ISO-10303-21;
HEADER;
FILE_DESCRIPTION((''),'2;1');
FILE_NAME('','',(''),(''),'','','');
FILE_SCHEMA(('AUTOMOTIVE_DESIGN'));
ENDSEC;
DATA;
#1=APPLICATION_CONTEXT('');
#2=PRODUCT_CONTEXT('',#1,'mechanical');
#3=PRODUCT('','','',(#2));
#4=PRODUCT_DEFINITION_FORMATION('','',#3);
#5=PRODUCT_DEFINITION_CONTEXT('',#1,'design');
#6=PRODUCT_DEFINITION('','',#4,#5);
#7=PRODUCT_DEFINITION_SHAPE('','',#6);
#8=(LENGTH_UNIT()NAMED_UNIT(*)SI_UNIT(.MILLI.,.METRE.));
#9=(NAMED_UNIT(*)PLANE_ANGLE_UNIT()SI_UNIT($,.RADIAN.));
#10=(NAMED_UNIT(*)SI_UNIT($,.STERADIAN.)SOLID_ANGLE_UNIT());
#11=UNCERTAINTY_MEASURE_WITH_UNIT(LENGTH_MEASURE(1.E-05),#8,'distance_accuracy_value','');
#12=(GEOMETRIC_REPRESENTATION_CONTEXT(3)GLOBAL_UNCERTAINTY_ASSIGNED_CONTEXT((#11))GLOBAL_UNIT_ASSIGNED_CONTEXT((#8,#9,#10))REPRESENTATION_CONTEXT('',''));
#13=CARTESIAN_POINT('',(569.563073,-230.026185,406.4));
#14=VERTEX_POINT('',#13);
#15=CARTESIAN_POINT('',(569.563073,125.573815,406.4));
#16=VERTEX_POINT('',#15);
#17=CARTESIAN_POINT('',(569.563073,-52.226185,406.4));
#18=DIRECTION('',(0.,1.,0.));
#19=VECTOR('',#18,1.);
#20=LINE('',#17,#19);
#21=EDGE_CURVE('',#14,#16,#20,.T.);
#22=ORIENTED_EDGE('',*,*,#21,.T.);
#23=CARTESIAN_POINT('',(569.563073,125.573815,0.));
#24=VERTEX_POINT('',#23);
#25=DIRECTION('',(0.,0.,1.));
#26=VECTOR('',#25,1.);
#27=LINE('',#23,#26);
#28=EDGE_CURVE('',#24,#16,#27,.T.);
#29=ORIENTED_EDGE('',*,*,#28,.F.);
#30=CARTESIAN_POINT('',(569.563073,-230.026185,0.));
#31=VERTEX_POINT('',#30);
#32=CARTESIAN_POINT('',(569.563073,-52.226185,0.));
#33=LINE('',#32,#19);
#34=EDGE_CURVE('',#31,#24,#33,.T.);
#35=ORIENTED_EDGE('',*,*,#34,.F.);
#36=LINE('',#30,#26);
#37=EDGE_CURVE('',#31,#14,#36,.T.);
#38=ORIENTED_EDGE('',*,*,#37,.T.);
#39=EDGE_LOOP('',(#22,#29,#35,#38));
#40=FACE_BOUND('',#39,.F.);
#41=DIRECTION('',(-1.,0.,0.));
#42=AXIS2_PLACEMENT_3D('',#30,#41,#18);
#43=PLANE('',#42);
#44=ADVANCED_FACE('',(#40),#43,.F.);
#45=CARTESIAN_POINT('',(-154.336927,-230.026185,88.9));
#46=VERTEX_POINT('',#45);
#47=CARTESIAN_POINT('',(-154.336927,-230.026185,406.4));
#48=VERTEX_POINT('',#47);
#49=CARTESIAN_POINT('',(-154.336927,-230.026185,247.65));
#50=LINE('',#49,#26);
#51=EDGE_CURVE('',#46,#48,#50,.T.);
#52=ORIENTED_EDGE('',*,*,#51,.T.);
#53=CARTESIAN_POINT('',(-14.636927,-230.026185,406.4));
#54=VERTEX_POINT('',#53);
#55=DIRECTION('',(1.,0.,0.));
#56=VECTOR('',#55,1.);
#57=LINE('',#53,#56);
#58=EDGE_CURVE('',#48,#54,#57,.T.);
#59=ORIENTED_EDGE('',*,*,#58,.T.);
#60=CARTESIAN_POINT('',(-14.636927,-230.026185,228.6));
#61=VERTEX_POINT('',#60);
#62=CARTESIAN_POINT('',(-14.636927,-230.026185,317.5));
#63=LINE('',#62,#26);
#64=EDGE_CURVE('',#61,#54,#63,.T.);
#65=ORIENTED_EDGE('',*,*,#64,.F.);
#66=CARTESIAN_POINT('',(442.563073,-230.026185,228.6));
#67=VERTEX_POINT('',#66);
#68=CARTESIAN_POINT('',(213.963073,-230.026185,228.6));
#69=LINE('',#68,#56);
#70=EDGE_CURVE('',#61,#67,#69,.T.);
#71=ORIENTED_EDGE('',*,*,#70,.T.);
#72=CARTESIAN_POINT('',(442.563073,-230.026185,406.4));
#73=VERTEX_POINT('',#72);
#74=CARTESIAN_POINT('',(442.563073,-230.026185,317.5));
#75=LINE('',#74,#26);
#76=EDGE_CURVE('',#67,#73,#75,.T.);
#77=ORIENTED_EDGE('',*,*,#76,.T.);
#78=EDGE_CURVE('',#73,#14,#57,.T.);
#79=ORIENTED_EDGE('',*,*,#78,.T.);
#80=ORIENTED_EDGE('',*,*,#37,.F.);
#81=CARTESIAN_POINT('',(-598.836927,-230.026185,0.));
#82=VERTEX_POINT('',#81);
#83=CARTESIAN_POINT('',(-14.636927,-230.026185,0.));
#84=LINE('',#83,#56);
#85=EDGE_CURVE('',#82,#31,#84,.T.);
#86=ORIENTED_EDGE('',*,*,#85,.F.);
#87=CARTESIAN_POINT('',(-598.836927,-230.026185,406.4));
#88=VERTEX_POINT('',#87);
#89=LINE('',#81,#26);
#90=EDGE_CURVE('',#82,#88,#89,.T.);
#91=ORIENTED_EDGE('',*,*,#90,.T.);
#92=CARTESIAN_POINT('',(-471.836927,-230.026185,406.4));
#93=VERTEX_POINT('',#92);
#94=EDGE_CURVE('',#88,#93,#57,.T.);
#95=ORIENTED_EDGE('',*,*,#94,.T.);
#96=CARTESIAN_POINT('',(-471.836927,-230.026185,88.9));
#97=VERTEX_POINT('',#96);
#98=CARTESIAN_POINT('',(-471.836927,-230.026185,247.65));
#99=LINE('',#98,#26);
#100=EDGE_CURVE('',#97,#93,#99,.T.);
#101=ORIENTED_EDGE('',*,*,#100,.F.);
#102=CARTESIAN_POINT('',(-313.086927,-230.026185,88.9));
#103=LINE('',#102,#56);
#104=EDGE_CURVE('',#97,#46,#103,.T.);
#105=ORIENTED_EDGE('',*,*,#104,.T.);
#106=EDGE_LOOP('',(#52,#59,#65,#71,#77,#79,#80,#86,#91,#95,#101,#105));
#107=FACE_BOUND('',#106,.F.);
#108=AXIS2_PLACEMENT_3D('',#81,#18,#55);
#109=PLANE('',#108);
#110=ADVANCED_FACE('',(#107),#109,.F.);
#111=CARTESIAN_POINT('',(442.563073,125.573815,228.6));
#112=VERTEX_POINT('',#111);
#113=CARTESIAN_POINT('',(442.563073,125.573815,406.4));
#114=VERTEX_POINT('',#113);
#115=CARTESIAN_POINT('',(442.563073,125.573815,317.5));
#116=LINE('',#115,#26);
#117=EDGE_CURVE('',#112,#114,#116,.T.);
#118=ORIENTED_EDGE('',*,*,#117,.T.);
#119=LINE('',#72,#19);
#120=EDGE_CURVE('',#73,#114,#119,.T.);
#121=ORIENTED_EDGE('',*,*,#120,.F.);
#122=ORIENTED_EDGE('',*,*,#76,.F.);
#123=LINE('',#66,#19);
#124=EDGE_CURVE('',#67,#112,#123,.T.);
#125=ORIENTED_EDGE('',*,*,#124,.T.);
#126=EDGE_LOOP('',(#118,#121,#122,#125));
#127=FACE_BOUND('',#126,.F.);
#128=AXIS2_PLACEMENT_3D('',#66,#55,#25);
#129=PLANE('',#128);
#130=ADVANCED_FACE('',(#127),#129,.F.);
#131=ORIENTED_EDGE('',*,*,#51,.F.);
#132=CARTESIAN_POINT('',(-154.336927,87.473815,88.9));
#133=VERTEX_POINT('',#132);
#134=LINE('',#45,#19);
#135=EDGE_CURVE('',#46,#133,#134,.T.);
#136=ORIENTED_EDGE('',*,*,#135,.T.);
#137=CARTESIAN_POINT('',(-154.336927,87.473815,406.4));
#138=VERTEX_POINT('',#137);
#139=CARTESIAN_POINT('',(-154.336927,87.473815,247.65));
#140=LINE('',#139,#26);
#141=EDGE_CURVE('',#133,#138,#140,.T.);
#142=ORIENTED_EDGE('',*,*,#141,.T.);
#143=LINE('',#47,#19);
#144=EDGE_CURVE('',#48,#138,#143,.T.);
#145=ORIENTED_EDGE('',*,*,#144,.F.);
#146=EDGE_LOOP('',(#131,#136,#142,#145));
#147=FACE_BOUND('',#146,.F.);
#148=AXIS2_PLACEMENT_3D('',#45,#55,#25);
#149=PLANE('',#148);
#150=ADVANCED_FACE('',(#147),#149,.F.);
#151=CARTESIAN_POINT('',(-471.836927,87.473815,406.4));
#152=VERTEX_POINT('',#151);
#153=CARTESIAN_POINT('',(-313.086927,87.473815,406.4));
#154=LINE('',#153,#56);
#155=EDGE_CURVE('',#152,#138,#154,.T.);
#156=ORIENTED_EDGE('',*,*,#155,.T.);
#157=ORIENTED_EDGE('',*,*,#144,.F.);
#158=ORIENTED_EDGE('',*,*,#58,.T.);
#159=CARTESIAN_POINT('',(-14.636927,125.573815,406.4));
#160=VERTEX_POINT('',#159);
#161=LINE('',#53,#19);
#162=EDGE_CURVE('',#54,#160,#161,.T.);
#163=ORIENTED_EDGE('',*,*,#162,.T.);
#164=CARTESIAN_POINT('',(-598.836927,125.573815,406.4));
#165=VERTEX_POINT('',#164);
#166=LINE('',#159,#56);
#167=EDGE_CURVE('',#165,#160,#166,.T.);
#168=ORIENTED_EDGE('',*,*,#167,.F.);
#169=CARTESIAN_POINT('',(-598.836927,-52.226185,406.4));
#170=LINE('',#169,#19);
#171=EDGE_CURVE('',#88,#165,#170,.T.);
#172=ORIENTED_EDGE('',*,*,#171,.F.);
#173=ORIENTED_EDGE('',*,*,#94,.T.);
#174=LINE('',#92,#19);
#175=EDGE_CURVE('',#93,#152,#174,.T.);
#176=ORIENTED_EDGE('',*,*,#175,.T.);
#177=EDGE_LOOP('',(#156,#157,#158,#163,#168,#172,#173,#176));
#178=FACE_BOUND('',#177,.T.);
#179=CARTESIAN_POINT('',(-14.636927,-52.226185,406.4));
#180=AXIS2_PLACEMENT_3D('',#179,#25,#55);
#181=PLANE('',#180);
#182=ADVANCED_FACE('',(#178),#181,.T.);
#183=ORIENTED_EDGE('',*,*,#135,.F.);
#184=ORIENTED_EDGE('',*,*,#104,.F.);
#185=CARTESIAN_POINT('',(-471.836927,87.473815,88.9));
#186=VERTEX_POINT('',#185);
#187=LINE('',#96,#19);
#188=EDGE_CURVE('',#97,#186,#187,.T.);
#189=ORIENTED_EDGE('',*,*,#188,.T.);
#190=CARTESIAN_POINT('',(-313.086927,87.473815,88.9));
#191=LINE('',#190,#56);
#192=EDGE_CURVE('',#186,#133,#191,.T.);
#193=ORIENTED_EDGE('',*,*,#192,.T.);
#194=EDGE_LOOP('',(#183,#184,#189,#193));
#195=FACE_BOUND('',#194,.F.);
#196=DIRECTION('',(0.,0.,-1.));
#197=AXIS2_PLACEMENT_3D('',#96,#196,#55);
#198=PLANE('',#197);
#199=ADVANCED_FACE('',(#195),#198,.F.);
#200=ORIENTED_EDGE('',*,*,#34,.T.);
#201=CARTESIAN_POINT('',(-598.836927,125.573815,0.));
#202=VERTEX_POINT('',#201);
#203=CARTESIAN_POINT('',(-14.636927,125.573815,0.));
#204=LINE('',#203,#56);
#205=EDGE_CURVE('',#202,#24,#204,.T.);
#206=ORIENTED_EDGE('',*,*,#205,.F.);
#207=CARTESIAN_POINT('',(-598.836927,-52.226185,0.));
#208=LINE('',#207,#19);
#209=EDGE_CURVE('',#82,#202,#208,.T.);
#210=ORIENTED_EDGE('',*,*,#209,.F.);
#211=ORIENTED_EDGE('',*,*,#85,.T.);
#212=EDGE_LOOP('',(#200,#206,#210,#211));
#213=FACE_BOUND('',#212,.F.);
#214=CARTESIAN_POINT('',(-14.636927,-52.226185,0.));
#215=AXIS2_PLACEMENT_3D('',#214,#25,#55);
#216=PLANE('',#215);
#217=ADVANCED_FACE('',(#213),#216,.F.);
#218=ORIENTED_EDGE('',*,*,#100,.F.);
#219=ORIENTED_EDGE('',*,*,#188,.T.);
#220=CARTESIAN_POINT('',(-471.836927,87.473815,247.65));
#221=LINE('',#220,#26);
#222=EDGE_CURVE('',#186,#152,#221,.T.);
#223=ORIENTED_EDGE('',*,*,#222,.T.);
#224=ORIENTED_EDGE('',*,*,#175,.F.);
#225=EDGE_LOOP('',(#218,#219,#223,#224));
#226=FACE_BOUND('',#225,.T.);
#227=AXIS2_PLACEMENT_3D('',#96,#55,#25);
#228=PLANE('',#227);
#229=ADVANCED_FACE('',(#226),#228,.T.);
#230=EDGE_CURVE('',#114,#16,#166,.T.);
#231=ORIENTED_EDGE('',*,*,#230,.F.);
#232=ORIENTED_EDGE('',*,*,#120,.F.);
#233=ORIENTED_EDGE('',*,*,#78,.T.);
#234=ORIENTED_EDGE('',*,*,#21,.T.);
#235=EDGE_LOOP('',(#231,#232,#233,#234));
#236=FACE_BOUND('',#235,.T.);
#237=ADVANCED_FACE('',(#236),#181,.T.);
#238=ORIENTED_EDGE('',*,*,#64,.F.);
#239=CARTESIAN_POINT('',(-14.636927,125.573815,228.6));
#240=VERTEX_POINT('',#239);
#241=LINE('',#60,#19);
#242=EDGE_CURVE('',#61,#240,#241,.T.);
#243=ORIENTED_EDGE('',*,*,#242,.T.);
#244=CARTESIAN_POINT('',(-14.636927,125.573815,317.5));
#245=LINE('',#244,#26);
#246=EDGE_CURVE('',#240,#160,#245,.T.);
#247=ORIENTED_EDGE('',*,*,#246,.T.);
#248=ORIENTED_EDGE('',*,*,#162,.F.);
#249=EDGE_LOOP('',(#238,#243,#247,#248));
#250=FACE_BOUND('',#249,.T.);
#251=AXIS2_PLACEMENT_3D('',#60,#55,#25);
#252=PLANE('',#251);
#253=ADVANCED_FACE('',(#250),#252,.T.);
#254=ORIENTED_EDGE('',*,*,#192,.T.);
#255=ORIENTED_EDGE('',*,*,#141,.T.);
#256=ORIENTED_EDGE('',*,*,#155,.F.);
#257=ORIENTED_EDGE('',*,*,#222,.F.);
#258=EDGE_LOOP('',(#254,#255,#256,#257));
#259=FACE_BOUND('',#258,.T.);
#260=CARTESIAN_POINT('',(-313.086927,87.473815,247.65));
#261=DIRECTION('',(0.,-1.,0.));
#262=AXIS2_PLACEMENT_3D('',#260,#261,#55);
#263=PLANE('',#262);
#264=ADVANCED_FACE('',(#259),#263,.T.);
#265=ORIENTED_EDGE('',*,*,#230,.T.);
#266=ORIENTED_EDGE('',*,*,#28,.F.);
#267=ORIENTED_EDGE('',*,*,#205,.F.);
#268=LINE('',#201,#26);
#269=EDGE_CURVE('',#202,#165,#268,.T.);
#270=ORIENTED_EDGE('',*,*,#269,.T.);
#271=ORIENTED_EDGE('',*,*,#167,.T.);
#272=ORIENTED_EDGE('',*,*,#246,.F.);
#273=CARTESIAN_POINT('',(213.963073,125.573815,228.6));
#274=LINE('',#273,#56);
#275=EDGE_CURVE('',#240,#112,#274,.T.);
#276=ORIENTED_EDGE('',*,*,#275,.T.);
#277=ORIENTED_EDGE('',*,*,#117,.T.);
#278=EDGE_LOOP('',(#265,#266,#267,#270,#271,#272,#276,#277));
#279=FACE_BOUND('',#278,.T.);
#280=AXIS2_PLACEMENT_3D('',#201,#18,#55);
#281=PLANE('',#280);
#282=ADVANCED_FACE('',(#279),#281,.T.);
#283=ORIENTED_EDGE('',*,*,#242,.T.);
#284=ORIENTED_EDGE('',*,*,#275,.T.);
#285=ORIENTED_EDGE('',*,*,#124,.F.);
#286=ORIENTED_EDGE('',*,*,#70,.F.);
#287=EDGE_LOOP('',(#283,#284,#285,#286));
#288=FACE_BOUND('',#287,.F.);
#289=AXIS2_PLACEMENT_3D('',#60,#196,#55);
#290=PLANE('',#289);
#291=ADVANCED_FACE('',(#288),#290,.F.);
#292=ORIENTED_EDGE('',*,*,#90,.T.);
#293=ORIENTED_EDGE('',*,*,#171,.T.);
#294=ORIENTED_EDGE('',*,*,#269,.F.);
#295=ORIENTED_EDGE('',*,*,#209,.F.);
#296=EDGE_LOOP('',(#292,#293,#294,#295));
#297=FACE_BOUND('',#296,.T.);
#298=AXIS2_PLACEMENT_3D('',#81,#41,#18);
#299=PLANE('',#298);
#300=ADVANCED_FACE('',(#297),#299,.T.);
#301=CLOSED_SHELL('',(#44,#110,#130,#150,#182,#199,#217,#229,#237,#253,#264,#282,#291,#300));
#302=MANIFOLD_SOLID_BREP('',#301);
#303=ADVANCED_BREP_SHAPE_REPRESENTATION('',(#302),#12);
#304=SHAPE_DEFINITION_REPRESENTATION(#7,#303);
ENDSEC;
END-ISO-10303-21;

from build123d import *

# Parameters (mm, degrees)
F0_W     = 1168.4
F0_H     = 355.6
F1_DEPTH = 406.4
F2_W     = 457.2
F2_H     = 177.8
F3_DEPTH = 355.6
F2_W_2   = 317.5
F2_H_2   = 317.5
F4_DEPTH = 317.5


with BuildPart() as f1:
    # F0 (on Top) → F1 (new body)
    with BuildSketch(Plane.XY):
        with Locations((-14.636927, -52.226185)):
            Rectangle(F0_W, F0_H)
    extrude(amount=F1_DEPTH)

    # F2 (on face) → F3 (cut)
    with BuildSketch(Plane.XZ.offset(230.026185)):
        with Locations((213.963073, 317.5)):
            Rectangle(F2_W, F2_H)
    extrude(amount=-F3_DEPTH, mode=Mode.SUBTRACT)

    # F2 (on face) → F4 (cut)
    with BuildSketch(Plane.XZ.offset(230.026185)):
        with Locations((-313.086927, 247.65)):
            Rectangle(F2_W_2, F2_H_2)
    extrude(amount=-F4_DEPTH, mode=Mode.SUBTRACT)


solid = f1.part
